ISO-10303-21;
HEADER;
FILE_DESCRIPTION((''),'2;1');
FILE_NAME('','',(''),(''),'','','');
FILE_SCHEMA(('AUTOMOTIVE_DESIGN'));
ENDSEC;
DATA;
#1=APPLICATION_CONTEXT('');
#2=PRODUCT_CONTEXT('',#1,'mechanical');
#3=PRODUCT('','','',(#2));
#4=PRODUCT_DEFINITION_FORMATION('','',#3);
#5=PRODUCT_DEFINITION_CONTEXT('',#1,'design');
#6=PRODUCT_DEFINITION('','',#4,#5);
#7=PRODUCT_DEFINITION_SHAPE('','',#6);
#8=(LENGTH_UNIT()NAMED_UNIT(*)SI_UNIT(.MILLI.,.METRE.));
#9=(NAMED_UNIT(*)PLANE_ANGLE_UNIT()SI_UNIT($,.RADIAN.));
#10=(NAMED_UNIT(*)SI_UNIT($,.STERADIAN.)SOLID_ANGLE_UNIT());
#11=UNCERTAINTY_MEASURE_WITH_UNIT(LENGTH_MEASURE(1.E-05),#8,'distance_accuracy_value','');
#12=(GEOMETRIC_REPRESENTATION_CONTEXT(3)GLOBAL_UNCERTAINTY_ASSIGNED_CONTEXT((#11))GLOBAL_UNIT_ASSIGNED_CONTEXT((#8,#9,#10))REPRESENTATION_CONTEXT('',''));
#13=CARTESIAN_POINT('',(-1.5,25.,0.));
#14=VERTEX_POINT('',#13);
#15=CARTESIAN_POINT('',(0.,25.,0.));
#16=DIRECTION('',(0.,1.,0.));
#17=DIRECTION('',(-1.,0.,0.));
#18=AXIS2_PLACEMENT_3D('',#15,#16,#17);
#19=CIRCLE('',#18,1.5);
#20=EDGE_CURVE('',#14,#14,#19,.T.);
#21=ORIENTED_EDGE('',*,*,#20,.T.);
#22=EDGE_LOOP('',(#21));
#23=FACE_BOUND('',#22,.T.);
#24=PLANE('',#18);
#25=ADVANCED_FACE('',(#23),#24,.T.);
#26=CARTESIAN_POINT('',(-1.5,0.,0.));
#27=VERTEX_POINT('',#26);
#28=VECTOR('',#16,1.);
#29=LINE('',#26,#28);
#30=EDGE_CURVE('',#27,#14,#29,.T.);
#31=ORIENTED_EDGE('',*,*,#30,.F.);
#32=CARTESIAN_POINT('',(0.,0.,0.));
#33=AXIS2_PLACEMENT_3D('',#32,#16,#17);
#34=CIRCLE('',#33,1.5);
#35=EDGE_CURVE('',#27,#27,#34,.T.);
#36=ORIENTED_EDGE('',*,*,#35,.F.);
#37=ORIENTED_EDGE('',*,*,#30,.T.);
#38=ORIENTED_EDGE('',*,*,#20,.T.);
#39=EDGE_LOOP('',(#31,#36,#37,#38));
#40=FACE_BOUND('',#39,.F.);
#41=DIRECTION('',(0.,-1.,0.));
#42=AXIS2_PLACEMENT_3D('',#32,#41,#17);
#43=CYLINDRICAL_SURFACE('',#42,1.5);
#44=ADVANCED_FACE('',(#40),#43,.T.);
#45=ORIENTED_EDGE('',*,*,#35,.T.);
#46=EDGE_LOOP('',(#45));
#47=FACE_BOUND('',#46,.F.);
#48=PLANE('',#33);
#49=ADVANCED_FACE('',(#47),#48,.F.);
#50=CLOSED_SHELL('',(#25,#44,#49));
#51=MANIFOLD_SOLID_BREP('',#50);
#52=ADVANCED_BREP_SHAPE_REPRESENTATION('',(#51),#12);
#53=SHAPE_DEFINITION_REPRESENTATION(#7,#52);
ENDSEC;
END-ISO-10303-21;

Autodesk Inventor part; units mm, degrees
ref_plane "YZ Plane" through (0, 0, 0) normal (1, 0, 0) x (0, 1, 0)
ref_plane "XZ Plane" through (0, 0, 0) normal (0, 1, 0) x (-1, 0, 0)
ref_plane "XY Plane" through (0, 0, 0) normal (0, 0, 1) x (1, 0, 0)
sketch "Sketch1" plane through (0, 0, 0) normal (0, 1, 0) x (-1, 0, 0)
  circle A0 centre (0, 0) radius 1.5
  dimension "d0" = 3
extrude "Extrusion1" add sketch "Sketch1" along normal blind 25
properties part number "Bisztositek"
